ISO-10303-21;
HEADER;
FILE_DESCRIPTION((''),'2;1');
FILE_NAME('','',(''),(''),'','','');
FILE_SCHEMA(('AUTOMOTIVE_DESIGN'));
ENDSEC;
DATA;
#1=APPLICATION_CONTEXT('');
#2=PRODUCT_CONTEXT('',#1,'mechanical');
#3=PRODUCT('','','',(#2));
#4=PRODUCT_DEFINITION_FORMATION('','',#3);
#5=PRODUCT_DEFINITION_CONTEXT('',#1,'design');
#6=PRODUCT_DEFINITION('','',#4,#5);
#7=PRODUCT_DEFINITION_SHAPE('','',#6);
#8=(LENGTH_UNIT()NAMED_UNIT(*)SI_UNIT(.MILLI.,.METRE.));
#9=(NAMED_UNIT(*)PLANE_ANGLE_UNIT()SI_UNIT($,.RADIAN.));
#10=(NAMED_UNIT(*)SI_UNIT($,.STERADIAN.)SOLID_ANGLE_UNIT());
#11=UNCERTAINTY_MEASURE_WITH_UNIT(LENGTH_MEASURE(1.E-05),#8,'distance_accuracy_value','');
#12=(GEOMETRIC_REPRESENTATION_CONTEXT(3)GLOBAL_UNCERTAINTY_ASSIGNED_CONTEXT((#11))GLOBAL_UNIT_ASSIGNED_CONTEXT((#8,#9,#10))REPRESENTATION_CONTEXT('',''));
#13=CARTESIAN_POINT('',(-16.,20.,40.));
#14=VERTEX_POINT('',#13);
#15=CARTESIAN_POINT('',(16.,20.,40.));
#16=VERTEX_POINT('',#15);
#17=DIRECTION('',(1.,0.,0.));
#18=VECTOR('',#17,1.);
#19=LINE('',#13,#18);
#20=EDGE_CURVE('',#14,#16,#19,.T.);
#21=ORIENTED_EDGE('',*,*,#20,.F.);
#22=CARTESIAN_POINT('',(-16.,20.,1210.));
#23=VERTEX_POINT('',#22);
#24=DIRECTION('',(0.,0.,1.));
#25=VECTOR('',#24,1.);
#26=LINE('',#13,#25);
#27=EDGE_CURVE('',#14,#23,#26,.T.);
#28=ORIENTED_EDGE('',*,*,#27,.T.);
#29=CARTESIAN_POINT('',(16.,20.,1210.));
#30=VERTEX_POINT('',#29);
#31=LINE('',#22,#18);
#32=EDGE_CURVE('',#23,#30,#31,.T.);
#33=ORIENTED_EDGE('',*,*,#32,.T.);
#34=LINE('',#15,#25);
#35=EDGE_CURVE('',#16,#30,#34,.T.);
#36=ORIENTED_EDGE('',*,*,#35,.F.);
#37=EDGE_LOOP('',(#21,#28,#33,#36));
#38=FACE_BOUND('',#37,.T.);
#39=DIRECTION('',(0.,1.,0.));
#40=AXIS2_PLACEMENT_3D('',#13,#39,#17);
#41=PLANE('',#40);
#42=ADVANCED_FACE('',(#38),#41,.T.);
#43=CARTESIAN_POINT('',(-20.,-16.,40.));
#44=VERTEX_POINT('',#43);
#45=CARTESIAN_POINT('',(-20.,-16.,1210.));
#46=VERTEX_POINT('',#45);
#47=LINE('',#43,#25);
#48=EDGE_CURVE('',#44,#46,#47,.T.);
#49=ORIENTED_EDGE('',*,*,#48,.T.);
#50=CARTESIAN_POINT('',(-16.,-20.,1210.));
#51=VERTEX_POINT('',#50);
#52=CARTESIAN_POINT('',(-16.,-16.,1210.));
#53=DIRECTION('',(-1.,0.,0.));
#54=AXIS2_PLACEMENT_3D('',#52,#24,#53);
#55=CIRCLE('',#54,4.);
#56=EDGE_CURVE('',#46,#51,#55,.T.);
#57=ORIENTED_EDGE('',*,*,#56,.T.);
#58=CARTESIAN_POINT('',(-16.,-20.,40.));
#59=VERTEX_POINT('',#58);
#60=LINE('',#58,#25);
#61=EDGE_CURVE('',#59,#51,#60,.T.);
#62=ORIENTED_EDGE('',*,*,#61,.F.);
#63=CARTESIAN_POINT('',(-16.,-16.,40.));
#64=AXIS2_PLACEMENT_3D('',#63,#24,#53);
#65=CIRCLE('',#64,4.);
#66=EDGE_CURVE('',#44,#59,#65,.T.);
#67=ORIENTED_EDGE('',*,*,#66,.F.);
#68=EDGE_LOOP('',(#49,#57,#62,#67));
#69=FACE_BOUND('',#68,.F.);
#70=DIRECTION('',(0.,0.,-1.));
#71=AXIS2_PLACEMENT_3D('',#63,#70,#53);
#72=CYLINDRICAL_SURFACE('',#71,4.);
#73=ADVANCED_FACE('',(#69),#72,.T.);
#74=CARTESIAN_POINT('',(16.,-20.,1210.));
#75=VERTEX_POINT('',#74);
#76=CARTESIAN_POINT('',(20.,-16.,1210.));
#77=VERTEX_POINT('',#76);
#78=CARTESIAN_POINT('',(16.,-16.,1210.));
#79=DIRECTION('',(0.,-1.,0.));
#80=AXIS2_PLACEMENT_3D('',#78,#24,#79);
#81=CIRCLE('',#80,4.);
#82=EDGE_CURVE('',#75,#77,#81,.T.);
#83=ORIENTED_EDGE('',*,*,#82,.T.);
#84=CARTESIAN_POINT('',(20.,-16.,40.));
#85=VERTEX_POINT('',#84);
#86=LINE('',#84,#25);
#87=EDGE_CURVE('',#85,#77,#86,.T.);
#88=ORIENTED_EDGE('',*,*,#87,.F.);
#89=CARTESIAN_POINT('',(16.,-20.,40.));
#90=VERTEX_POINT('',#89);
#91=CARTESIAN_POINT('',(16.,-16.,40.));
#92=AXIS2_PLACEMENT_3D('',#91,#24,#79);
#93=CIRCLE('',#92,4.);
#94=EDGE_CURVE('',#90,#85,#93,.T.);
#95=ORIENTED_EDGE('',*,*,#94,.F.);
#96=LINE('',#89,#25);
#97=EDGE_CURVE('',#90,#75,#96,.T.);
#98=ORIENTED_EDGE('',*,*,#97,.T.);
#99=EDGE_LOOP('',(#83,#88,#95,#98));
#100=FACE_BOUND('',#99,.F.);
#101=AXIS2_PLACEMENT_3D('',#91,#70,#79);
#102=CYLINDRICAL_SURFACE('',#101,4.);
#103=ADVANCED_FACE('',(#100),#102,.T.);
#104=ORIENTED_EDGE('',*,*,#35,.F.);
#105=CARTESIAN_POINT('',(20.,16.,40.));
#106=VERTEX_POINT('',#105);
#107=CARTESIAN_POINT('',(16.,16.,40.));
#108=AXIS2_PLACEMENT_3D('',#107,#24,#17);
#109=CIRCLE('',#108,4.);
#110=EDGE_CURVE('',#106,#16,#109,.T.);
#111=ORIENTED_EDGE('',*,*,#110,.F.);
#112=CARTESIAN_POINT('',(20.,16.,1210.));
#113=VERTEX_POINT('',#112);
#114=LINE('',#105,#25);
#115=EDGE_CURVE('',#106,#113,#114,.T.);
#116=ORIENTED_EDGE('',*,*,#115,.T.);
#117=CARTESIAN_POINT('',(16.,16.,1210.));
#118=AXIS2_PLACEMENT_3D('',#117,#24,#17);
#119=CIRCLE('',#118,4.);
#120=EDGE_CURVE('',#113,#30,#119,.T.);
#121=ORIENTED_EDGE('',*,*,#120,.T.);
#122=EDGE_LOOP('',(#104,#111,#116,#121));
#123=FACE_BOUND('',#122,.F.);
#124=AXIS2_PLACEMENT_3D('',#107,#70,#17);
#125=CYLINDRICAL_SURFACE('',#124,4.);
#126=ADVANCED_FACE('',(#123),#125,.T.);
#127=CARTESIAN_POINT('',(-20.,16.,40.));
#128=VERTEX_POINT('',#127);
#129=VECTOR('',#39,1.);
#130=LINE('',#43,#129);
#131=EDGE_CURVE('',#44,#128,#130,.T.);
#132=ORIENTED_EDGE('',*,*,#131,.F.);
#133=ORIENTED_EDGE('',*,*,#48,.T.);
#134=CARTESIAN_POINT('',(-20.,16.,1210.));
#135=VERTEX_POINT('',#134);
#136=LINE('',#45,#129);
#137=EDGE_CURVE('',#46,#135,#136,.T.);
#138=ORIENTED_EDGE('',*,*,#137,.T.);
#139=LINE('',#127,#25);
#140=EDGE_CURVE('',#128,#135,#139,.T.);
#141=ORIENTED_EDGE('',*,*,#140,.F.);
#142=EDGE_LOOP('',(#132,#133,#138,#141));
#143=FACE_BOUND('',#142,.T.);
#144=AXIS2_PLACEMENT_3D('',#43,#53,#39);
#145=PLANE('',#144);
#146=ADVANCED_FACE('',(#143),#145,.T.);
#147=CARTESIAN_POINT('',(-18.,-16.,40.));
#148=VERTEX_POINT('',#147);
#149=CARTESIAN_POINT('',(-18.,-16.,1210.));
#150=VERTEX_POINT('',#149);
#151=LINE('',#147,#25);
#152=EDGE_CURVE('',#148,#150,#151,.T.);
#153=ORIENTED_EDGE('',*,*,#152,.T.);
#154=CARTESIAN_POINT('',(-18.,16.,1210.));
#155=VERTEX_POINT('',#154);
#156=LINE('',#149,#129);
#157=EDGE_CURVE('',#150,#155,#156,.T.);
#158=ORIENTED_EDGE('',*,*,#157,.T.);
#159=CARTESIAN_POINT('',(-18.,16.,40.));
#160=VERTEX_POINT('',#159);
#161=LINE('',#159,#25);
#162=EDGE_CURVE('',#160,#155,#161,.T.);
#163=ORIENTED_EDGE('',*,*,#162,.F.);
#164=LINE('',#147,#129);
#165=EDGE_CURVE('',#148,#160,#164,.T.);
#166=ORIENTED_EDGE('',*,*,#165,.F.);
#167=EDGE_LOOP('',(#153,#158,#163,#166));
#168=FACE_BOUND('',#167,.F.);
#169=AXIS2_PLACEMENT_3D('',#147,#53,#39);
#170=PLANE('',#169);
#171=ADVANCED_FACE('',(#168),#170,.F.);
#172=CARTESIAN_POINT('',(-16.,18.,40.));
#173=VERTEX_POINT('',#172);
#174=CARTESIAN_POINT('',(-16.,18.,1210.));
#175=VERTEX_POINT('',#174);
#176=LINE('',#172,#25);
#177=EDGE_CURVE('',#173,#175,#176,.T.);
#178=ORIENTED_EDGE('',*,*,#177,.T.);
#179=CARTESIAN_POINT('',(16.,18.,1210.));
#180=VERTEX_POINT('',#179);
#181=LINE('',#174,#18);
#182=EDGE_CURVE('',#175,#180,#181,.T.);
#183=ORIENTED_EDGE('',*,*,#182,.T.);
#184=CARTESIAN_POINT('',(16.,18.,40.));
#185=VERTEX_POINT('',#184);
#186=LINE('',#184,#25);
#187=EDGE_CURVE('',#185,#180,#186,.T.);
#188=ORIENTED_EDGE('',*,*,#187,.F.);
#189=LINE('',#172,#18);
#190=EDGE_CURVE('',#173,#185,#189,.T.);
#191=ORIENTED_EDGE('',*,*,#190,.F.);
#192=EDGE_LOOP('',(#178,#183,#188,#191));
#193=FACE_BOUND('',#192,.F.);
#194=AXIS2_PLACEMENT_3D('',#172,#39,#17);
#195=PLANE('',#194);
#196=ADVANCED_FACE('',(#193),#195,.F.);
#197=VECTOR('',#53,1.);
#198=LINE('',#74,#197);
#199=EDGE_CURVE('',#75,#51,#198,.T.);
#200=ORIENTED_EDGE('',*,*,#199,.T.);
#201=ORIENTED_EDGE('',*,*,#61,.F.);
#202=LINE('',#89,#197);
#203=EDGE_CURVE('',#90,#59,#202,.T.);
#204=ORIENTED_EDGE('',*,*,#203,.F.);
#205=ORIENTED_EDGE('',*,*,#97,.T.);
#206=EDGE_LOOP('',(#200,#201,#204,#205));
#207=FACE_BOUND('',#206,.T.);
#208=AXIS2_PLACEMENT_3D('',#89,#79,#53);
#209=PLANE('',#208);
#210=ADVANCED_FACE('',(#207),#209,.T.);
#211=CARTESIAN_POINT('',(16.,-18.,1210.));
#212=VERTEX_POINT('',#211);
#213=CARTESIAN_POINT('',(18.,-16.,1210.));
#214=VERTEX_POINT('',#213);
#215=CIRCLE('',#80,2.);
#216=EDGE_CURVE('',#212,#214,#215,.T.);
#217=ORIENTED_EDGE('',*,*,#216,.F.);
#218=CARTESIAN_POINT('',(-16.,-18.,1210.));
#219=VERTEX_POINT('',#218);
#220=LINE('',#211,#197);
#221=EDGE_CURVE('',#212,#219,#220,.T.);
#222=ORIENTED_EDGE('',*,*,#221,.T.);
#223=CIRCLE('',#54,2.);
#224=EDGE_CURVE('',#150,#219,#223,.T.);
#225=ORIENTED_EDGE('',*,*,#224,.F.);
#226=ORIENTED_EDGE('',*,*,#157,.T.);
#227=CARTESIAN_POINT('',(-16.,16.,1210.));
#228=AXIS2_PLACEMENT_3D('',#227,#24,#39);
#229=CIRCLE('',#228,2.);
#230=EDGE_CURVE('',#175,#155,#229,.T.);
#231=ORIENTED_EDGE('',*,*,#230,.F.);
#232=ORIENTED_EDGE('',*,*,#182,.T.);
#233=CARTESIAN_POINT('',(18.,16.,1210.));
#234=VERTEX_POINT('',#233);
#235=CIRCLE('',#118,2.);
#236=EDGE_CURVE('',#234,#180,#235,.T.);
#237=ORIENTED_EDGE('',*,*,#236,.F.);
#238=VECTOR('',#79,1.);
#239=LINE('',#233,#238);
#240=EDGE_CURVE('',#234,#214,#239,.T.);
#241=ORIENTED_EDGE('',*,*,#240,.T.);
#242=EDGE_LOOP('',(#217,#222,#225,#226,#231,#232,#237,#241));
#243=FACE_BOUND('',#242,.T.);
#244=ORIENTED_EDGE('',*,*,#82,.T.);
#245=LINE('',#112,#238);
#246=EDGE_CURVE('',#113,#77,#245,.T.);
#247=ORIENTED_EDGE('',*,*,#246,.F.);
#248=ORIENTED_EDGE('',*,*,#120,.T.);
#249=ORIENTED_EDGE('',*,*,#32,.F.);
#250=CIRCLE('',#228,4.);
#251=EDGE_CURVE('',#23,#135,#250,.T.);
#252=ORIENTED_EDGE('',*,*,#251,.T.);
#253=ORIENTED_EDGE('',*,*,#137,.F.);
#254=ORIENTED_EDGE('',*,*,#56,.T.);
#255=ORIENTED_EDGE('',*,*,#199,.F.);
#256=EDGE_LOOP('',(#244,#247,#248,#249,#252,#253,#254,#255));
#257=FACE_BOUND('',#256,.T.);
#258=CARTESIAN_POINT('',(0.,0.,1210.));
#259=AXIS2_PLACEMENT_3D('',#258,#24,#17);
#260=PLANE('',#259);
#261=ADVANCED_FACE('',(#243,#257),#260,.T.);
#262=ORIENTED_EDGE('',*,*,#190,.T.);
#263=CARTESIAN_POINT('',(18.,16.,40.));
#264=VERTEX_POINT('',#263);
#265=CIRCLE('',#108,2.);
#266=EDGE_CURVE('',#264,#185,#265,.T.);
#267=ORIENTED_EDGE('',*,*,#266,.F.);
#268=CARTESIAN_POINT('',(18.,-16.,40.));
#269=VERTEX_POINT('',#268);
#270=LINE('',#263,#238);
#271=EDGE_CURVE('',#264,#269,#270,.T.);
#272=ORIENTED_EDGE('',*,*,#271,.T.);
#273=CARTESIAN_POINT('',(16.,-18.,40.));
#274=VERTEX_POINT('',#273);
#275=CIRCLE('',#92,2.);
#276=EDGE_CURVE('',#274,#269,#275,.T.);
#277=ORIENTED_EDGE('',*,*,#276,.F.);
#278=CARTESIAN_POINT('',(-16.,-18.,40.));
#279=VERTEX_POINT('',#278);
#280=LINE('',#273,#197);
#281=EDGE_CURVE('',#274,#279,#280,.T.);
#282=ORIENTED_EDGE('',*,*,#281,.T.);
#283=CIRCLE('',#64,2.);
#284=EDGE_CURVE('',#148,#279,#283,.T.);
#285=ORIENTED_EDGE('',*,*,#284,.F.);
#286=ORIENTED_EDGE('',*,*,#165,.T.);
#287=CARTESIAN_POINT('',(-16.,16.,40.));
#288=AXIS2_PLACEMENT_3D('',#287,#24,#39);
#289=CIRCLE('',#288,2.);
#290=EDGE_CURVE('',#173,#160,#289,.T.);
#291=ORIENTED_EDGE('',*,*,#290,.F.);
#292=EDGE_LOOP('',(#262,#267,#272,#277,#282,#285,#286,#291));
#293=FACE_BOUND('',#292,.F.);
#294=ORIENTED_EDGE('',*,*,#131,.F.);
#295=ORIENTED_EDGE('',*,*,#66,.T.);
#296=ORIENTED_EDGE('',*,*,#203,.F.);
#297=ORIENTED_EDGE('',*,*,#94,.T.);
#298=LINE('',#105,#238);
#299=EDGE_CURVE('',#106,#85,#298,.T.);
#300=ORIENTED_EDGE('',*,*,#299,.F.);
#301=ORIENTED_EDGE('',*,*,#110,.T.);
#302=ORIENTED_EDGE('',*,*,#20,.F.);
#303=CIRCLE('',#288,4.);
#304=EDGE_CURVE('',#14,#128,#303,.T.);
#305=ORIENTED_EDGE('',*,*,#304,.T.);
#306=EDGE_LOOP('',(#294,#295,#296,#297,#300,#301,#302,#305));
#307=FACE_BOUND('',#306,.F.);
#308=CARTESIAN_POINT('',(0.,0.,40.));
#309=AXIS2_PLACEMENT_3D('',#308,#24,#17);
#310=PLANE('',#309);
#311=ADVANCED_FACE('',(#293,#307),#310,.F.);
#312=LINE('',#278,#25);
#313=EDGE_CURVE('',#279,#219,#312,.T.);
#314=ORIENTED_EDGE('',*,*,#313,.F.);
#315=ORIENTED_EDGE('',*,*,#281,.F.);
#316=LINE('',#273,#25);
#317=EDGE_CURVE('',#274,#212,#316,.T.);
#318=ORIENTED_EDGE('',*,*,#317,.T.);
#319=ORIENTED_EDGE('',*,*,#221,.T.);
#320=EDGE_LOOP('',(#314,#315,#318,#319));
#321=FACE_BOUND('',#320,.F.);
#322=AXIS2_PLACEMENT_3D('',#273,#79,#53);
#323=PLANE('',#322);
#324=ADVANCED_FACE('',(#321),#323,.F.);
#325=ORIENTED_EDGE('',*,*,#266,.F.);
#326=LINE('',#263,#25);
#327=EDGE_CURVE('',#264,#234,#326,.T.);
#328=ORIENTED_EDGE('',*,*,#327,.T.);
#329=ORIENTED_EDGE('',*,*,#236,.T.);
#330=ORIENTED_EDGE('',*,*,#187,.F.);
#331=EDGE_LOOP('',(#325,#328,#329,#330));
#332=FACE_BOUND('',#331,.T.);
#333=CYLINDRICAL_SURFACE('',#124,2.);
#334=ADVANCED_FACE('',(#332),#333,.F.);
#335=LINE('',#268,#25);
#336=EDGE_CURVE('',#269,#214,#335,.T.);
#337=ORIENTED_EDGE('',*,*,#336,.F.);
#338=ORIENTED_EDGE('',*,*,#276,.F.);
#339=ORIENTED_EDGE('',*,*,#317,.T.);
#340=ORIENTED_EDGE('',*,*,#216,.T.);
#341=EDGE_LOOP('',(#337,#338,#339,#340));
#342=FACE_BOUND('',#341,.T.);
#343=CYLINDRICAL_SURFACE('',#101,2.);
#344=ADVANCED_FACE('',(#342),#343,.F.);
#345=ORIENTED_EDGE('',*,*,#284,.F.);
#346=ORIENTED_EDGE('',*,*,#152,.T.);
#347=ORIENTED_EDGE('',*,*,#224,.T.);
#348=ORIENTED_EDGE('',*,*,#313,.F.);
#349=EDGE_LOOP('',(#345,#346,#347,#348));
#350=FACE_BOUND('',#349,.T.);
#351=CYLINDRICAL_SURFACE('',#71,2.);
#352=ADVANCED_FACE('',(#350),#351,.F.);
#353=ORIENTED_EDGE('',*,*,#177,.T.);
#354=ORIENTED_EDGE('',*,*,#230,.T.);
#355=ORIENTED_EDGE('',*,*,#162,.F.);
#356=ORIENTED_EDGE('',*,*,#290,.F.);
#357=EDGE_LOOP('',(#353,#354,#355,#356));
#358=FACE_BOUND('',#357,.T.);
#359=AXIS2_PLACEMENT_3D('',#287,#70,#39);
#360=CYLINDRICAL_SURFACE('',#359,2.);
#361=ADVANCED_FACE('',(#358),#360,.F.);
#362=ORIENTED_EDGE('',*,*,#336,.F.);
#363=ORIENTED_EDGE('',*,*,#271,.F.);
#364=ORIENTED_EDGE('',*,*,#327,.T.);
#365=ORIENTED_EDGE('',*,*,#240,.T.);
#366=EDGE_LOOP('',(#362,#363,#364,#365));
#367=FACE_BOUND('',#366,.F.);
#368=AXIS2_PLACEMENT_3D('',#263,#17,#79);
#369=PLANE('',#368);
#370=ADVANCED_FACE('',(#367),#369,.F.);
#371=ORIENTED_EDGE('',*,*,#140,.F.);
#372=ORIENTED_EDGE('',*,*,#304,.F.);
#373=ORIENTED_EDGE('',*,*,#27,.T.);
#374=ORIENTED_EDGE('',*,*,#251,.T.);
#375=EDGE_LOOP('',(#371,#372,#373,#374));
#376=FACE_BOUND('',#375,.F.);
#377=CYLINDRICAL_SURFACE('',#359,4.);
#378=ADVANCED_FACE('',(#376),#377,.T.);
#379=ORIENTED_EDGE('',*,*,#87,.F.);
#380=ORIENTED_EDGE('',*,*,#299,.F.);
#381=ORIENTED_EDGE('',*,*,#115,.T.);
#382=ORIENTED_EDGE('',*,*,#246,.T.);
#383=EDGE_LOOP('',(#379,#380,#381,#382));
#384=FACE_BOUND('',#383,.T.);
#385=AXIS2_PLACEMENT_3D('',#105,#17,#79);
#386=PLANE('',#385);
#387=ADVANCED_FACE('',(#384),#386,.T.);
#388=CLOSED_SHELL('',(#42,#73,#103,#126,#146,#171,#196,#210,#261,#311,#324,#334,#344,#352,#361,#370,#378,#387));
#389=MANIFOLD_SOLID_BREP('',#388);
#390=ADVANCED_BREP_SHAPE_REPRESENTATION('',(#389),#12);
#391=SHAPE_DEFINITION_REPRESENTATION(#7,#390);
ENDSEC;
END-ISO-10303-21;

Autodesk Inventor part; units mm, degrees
ref_plane "YZ Plane" through (0, 0, 0) normal (1, 0, 0) x (0, 1, 0)
ref_plane "Start Plane" through (0, 0, 40) normal (0, 0, 1) x (1, 0, 0)
ref_plane "End Plane" through (0, 0, 1210) normal (0, 0, 1) x (1, 0, 0)
sketch "Sketch" plane through (0, 0, 0) normal (0, 0, 1) x (1, 0, 0)
  line L0 (-20, -16) -> (-20, 16)
  line L1 (-16, 20) -> (16, 20)
  line L2 (20, 16) -> (20, -16)
  line L3 (16, -20) -> (-16, -20)
  arc A0 (-20, -16) -> (-16, -20) centre (-16, -16) ccw
  arc A1 (20, 16) -> (16, 20) centre (16, 16) ccw
  arc A2 (-16, 20) -> (-20, 16) centre (-16, 16) ccw
  arc A3 (16, -20) -> (20, -16) centre (16, -16) ccw
  arc A4 (-16, 18) -> (-18, 16) centre (-16, 16) ccw
  line L4 (-16, 18) -> (16, 18)
  arc A5 (18, 16) -> (16, 18) centre (16, 16) ccw
  line L5 (18, 16) -> (18, -16)
  arc A6 (16, -18) -> (18, -16) centre (16, -16) ccw
  line L6 (16, -18) -> (-16, -18)
  arc A7 (-18, -16) -> (-16, -18) centre (-16, -16) ccw
  line L7 (-18, -16) -> (-18, 16)
  line L8 (0, 29.1598) -> (0, -29.1598) construction
  line L9 (-29.1598, 0) -> (29.1598, 0) construction
  dimension "d7" = 4
  dimension "d9" = 40
  dimension "d11" = 40
  dimension "d12" = 2
  dimension "d15" = 20
  dimension "d16" = 20
extrude "Body" add sketch "Sketch" along normal up to surface (1170 mm away) from surface at 40
sketch "Sketch3" plane through (0, 0, 0) normal (0, 0, 1) x (1, 0, 0)
  line L0 (0, 0) -> (10, 0)
ref_plane "Work Plane3" through (0, 0, 0) normal (0, -1, 0) x (1, 0, 0)
sketch "Sketch4" plane through (0, 0, 0) normal (0, -1, 0) x (1, 0, 0)
  line L0 (-2, 40) -> (12, 40) projected
  line L1 (-2, 1210) -> (12, 1210) projected
  dimension "d18" = 1170
equation "\"d7\" = G_IR"
equation "\"d9\" = G_W"
equation "\"d11\" = G_H"
equation "\"d12\" = G_T"
equation "\"d15\" = 0.5 * d9"
equation "\"d16\" = 0.5 * d11"
equation "\"d3\" = G_L"
equation "\"G_W\" = 40"
equation "\"G_H\" = 40"
equation "\"G_T\" = 2"
equation "\"G_IR\" = 4"
equation "\"G_L\" = d18"
properties part number "ISO 4019 - 40x40x2 - 1170" material "Steel, Mild"
